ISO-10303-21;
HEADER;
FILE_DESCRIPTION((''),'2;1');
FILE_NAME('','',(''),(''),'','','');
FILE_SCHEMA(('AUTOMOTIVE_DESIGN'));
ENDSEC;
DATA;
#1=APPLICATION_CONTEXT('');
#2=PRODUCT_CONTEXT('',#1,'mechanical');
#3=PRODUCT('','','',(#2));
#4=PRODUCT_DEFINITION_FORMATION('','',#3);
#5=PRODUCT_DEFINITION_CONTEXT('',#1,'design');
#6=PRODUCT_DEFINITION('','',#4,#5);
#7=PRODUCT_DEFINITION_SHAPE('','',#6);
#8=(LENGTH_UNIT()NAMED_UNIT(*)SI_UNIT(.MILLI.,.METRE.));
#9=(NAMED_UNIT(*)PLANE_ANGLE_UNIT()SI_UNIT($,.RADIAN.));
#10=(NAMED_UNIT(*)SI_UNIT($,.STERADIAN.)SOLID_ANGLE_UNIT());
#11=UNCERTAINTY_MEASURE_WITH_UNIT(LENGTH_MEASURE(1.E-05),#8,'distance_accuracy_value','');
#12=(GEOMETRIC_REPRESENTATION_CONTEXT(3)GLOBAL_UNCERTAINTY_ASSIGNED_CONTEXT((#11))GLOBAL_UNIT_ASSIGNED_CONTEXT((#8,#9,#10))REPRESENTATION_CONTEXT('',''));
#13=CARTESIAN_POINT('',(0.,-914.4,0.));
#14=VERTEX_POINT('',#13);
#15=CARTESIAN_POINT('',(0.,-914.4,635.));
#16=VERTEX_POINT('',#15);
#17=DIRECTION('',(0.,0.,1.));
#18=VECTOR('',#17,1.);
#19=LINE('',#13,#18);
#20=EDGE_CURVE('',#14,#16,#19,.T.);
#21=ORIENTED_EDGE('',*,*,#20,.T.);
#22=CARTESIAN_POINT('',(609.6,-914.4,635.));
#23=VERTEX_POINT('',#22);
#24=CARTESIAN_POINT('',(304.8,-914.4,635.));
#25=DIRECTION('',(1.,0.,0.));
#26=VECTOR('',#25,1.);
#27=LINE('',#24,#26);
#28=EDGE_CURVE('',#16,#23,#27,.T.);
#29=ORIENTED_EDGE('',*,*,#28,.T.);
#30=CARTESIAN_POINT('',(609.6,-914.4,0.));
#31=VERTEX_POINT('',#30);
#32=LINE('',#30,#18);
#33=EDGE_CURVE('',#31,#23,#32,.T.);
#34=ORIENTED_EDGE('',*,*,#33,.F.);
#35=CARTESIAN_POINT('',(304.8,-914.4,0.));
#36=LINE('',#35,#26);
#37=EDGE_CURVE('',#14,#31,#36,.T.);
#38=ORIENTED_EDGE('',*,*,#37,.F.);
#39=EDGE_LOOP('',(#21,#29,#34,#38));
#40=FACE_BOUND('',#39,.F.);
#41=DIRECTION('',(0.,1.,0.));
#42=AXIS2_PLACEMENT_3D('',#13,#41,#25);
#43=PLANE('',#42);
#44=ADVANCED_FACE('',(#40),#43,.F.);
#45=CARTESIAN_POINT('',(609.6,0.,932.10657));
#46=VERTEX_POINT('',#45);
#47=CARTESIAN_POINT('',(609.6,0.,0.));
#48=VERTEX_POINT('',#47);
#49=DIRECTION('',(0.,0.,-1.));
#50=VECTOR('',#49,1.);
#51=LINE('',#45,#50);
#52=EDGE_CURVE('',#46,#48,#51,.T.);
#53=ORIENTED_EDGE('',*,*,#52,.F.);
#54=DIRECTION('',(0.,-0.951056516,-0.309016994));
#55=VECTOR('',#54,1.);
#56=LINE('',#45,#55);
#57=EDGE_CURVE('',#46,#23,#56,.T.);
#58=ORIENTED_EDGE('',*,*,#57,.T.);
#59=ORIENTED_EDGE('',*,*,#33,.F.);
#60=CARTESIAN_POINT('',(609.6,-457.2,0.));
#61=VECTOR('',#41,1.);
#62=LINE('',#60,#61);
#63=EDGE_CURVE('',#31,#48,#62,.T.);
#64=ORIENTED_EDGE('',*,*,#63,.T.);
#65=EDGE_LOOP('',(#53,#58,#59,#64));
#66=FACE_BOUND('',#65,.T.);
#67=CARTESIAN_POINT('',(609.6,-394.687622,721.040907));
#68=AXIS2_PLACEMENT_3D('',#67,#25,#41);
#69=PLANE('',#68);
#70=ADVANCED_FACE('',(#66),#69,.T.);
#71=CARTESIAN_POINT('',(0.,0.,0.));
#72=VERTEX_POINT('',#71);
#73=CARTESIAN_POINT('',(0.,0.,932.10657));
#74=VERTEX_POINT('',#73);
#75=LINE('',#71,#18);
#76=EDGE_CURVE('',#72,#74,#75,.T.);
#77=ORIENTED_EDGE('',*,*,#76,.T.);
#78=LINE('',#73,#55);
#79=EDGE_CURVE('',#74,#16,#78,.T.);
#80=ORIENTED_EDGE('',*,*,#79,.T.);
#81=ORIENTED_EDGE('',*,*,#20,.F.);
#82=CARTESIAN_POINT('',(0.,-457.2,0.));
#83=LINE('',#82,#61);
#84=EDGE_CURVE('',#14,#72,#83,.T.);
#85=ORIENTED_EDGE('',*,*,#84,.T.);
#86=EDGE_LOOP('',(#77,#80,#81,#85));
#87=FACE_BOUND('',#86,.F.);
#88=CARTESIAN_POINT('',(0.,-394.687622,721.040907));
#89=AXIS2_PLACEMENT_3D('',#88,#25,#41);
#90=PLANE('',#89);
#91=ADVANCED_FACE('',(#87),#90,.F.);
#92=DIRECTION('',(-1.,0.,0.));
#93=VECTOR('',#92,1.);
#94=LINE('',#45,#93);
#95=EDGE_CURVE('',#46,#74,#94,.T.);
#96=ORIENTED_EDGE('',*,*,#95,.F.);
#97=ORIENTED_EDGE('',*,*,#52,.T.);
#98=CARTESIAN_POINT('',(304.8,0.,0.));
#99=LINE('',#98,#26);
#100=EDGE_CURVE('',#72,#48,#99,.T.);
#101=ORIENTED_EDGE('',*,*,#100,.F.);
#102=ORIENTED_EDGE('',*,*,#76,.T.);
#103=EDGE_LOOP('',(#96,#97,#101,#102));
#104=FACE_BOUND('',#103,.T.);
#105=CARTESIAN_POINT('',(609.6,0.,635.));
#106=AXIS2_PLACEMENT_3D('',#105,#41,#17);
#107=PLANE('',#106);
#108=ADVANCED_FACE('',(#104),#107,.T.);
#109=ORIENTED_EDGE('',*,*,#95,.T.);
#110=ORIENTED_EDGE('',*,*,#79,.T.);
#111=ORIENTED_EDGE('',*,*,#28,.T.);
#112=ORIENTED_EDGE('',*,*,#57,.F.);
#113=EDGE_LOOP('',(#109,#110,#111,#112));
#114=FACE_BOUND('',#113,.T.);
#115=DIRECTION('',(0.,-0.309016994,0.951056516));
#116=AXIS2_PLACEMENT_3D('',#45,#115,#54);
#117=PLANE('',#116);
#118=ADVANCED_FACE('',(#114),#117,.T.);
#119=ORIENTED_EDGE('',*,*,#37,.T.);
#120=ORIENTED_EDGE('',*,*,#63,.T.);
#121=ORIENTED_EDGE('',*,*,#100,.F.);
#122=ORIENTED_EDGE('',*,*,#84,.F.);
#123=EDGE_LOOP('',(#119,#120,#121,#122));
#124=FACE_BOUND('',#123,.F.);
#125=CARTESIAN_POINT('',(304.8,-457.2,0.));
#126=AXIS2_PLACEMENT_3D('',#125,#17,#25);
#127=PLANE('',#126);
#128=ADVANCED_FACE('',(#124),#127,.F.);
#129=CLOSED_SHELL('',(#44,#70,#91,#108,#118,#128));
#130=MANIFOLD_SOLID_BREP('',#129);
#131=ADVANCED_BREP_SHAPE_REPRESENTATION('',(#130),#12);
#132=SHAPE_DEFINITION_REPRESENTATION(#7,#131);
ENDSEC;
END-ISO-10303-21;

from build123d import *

# Parameters (mm, degrees)
F0_W     = 609.6
F0_H     = 914.4
F1_DEPTH = 635
F3_DEPTH = 609.6


with BuildPart() as f1:
    # F0 (on Top) → F1 (new body)
    with BuildSketch(Plane.XY):
        with Locations((304.8, -457.2)):
            Rectangle(F0_W, F0_H)
    extrude(amount=F1_DEPTH)

    # F2 (on face) → F3 (join)
    with BuildSketch(Plane.YZ.offset(609.6)):
        Polygon((0, 932.10657), (-914.4, 635), (0, 635), align=None)
    extrude(amount=-F3_DEPTH)


solid = f1.part
